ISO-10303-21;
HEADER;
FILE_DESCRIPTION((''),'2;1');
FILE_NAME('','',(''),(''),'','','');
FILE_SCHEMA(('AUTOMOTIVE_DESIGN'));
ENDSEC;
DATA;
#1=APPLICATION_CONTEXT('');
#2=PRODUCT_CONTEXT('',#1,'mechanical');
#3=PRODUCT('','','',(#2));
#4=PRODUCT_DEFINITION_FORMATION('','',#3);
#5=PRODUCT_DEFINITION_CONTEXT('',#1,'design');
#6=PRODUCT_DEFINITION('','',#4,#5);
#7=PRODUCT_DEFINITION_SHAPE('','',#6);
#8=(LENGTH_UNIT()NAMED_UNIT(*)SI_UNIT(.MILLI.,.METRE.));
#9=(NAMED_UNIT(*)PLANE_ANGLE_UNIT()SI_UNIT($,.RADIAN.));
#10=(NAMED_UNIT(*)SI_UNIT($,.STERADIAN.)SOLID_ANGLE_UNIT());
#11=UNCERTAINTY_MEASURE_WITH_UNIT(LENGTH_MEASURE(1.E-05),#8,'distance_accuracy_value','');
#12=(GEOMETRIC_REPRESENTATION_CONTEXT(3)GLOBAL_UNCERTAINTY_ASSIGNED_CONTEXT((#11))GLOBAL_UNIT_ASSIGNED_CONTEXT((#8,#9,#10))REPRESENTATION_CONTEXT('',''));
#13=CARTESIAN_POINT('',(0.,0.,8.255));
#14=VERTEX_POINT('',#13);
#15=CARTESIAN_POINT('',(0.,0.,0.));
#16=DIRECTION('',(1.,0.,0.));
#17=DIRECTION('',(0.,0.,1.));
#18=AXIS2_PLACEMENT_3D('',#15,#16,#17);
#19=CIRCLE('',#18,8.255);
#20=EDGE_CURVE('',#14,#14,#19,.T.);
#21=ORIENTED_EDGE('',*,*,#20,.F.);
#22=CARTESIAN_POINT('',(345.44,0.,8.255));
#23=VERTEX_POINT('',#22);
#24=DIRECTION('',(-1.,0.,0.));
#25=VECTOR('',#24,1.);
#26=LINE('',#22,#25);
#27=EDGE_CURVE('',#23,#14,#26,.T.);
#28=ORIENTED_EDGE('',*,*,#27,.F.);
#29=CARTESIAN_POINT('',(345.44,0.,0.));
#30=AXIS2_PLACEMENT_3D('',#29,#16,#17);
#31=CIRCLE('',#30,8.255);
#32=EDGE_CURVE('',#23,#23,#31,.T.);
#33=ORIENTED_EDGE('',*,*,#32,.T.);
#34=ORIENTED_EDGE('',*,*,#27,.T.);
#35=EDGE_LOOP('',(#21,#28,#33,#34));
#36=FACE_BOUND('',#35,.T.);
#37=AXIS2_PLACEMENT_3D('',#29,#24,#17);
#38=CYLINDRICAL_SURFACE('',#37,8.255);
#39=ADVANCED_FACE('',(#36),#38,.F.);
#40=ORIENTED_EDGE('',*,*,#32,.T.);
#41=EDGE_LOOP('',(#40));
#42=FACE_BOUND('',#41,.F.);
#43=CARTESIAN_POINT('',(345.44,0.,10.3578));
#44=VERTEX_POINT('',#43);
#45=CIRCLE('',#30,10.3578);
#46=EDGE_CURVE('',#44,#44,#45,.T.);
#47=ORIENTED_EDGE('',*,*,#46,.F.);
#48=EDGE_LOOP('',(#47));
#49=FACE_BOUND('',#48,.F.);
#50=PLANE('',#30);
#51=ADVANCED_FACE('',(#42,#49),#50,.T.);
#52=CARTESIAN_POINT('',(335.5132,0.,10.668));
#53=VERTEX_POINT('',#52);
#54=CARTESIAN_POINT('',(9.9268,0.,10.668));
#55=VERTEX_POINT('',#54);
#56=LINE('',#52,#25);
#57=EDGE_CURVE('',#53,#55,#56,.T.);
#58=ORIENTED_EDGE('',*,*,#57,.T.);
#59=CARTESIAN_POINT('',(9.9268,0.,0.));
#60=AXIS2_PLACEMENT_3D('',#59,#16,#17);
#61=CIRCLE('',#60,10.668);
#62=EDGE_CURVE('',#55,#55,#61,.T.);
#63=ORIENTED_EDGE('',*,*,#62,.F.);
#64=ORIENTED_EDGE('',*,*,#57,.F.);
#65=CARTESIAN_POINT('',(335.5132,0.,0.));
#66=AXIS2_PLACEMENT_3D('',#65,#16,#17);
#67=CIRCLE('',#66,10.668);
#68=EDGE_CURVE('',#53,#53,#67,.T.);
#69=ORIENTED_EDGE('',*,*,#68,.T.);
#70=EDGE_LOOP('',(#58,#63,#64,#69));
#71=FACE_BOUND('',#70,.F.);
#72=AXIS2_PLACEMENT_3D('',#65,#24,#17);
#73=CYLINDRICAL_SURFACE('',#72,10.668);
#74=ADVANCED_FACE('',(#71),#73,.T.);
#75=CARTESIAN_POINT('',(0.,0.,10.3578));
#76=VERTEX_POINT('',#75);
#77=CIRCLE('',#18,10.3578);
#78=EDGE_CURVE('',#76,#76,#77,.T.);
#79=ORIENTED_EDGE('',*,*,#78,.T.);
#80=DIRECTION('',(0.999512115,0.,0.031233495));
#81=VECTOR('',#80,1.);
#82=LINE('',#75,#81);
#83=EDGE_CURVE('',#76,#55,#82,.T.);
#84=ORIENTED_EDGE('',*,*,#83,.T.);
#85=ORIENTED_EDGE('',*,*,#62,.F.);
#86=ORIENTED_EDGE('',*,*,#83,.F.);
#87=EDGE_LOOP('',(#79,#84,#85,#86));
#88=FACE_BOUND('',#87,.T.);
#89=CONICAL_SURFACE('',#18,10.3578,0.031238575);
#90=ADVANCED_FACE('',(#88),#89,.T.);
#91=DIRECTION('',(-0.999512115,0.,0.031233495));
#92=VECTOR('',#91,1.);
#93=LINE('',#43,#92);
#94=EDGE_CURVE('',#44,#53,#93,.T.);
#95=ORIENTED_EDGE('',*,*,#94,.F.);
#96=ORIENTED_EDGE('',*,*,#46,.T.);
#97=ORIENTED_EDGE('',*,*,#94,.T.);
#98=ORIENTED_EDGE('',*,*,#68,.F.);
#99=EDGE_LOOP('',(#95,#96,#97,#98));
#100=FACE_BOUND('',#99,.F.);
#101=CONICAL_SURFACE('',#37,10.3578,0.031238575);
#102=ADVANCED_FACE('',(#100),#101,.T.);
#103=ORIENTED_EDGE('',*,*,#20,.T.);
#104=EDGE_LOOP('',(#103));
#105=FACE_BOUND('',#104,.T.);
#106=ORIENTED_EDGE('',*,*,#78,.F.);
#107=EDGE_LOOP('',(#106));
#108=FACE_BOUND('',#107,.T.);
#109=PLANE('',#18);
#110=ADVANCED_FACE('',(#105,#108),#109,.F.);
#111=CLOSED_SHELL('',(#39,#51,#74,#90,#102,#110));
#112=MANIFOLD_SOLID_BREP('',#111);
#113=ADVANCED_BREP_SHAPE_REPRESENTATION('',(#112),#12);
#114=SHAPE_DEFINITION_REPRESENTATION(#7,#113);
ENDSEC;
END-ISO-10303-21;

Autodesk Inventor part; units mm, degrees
ref_plane "YZ Plane" through (0, 0, 0) normal (1, 0, 0) x (0, 1, 0)
ref_plane "XZ Plane" through (0, 0, 0) normal (0, 1, 0) x (-1, 0, 0)
ref_plane "XY Plane" through (0, 0, 0) normal (0, 0, 1) x (1, 0, 0)
sketch "Sketch1" plane through (0, 0, 0) normal (0, 1, 0) x (-1, 0, 0)
  line L0 (0, 0) -> (-345.44, 0)
  line L1 (-345.44, 0) -> (-345.44, 8.255) construction
  line L2 (-345.44, 8.255) -> (-345.44, 10.3578)
  line L3 (-345.44, 10.3578) -> (-335.5132, 10.668)
  line L4 (-335.5132, 10.668) -> (-9.9268, 10.668)
  line L5 (-172.72, 0) -> (-172.72, 10.668) construction
  line L6 (-345.44, 8.255) -> (0, 8.255)
  line L7 (0, 0) -> (0, 8.255) construction
  line L8 (0, 8.255) -> (0, 10.3578)
  line L9 (0, 10.3578) -> (-9.9268, 10.668)
  line L10 (-331.884, 10.7814) -> (-331.884, 0) construction
  line L11 (-13.556, 10.7814) -> (-13.556, 0) construction
  line L12 (-335.5132, 10.668) -> (-331.884, 10.7814) construction
  line L13 (-335.5132, 10.668) -> (-335.5132, 0) construction
  line L14 (-9.9268, 10.668) -> (-13.556, 10.7814) construction
  line L15 (-9.9268, 10.668) -> (-9.9268, 0) construction
  dimension "d0" = 21.336
  dimension "d1" = 1.79
  dimension "d2" = 16.51
  dimension "d3" = 345.44
  dimension "d4" = 13.556
  dimension "d5" = 21.5628
revolve "Revolution1" add sketch "Sketch1" angle 360 about axis through (0, 0, 0) along (1, 0, 0)
thread "Thread1" size "1/2" designation "1/2 - 14 NPT" standard "NPT" full length
thread "Thread2" size "1/2" designation "1/2 - 14 NPT" standard "NPT" full length
equation "\"d0\" = OD"
equation "\"d2\" = ID"
equation "\"d3\" = L"
equation "\"d4\" = L2"
equation "\"d5\" = D2"
equation "\"OD\" = 21.336"
equation "\"t\" = 2.413"
equation "\"L\" = PL"
equation "\"L4\" = 19.8501"
equation "\"ID\" = 16.51"
equation "\"PL\" = 345.44"
equation "\"D2\" = 21.56282"
equation "\"L2\" = 13.55598"
equation "\"Size_Designation\" = 1.2345"
equation "\"PLmin\" = 2 * L2"
properties material "Steel, Wrought"
